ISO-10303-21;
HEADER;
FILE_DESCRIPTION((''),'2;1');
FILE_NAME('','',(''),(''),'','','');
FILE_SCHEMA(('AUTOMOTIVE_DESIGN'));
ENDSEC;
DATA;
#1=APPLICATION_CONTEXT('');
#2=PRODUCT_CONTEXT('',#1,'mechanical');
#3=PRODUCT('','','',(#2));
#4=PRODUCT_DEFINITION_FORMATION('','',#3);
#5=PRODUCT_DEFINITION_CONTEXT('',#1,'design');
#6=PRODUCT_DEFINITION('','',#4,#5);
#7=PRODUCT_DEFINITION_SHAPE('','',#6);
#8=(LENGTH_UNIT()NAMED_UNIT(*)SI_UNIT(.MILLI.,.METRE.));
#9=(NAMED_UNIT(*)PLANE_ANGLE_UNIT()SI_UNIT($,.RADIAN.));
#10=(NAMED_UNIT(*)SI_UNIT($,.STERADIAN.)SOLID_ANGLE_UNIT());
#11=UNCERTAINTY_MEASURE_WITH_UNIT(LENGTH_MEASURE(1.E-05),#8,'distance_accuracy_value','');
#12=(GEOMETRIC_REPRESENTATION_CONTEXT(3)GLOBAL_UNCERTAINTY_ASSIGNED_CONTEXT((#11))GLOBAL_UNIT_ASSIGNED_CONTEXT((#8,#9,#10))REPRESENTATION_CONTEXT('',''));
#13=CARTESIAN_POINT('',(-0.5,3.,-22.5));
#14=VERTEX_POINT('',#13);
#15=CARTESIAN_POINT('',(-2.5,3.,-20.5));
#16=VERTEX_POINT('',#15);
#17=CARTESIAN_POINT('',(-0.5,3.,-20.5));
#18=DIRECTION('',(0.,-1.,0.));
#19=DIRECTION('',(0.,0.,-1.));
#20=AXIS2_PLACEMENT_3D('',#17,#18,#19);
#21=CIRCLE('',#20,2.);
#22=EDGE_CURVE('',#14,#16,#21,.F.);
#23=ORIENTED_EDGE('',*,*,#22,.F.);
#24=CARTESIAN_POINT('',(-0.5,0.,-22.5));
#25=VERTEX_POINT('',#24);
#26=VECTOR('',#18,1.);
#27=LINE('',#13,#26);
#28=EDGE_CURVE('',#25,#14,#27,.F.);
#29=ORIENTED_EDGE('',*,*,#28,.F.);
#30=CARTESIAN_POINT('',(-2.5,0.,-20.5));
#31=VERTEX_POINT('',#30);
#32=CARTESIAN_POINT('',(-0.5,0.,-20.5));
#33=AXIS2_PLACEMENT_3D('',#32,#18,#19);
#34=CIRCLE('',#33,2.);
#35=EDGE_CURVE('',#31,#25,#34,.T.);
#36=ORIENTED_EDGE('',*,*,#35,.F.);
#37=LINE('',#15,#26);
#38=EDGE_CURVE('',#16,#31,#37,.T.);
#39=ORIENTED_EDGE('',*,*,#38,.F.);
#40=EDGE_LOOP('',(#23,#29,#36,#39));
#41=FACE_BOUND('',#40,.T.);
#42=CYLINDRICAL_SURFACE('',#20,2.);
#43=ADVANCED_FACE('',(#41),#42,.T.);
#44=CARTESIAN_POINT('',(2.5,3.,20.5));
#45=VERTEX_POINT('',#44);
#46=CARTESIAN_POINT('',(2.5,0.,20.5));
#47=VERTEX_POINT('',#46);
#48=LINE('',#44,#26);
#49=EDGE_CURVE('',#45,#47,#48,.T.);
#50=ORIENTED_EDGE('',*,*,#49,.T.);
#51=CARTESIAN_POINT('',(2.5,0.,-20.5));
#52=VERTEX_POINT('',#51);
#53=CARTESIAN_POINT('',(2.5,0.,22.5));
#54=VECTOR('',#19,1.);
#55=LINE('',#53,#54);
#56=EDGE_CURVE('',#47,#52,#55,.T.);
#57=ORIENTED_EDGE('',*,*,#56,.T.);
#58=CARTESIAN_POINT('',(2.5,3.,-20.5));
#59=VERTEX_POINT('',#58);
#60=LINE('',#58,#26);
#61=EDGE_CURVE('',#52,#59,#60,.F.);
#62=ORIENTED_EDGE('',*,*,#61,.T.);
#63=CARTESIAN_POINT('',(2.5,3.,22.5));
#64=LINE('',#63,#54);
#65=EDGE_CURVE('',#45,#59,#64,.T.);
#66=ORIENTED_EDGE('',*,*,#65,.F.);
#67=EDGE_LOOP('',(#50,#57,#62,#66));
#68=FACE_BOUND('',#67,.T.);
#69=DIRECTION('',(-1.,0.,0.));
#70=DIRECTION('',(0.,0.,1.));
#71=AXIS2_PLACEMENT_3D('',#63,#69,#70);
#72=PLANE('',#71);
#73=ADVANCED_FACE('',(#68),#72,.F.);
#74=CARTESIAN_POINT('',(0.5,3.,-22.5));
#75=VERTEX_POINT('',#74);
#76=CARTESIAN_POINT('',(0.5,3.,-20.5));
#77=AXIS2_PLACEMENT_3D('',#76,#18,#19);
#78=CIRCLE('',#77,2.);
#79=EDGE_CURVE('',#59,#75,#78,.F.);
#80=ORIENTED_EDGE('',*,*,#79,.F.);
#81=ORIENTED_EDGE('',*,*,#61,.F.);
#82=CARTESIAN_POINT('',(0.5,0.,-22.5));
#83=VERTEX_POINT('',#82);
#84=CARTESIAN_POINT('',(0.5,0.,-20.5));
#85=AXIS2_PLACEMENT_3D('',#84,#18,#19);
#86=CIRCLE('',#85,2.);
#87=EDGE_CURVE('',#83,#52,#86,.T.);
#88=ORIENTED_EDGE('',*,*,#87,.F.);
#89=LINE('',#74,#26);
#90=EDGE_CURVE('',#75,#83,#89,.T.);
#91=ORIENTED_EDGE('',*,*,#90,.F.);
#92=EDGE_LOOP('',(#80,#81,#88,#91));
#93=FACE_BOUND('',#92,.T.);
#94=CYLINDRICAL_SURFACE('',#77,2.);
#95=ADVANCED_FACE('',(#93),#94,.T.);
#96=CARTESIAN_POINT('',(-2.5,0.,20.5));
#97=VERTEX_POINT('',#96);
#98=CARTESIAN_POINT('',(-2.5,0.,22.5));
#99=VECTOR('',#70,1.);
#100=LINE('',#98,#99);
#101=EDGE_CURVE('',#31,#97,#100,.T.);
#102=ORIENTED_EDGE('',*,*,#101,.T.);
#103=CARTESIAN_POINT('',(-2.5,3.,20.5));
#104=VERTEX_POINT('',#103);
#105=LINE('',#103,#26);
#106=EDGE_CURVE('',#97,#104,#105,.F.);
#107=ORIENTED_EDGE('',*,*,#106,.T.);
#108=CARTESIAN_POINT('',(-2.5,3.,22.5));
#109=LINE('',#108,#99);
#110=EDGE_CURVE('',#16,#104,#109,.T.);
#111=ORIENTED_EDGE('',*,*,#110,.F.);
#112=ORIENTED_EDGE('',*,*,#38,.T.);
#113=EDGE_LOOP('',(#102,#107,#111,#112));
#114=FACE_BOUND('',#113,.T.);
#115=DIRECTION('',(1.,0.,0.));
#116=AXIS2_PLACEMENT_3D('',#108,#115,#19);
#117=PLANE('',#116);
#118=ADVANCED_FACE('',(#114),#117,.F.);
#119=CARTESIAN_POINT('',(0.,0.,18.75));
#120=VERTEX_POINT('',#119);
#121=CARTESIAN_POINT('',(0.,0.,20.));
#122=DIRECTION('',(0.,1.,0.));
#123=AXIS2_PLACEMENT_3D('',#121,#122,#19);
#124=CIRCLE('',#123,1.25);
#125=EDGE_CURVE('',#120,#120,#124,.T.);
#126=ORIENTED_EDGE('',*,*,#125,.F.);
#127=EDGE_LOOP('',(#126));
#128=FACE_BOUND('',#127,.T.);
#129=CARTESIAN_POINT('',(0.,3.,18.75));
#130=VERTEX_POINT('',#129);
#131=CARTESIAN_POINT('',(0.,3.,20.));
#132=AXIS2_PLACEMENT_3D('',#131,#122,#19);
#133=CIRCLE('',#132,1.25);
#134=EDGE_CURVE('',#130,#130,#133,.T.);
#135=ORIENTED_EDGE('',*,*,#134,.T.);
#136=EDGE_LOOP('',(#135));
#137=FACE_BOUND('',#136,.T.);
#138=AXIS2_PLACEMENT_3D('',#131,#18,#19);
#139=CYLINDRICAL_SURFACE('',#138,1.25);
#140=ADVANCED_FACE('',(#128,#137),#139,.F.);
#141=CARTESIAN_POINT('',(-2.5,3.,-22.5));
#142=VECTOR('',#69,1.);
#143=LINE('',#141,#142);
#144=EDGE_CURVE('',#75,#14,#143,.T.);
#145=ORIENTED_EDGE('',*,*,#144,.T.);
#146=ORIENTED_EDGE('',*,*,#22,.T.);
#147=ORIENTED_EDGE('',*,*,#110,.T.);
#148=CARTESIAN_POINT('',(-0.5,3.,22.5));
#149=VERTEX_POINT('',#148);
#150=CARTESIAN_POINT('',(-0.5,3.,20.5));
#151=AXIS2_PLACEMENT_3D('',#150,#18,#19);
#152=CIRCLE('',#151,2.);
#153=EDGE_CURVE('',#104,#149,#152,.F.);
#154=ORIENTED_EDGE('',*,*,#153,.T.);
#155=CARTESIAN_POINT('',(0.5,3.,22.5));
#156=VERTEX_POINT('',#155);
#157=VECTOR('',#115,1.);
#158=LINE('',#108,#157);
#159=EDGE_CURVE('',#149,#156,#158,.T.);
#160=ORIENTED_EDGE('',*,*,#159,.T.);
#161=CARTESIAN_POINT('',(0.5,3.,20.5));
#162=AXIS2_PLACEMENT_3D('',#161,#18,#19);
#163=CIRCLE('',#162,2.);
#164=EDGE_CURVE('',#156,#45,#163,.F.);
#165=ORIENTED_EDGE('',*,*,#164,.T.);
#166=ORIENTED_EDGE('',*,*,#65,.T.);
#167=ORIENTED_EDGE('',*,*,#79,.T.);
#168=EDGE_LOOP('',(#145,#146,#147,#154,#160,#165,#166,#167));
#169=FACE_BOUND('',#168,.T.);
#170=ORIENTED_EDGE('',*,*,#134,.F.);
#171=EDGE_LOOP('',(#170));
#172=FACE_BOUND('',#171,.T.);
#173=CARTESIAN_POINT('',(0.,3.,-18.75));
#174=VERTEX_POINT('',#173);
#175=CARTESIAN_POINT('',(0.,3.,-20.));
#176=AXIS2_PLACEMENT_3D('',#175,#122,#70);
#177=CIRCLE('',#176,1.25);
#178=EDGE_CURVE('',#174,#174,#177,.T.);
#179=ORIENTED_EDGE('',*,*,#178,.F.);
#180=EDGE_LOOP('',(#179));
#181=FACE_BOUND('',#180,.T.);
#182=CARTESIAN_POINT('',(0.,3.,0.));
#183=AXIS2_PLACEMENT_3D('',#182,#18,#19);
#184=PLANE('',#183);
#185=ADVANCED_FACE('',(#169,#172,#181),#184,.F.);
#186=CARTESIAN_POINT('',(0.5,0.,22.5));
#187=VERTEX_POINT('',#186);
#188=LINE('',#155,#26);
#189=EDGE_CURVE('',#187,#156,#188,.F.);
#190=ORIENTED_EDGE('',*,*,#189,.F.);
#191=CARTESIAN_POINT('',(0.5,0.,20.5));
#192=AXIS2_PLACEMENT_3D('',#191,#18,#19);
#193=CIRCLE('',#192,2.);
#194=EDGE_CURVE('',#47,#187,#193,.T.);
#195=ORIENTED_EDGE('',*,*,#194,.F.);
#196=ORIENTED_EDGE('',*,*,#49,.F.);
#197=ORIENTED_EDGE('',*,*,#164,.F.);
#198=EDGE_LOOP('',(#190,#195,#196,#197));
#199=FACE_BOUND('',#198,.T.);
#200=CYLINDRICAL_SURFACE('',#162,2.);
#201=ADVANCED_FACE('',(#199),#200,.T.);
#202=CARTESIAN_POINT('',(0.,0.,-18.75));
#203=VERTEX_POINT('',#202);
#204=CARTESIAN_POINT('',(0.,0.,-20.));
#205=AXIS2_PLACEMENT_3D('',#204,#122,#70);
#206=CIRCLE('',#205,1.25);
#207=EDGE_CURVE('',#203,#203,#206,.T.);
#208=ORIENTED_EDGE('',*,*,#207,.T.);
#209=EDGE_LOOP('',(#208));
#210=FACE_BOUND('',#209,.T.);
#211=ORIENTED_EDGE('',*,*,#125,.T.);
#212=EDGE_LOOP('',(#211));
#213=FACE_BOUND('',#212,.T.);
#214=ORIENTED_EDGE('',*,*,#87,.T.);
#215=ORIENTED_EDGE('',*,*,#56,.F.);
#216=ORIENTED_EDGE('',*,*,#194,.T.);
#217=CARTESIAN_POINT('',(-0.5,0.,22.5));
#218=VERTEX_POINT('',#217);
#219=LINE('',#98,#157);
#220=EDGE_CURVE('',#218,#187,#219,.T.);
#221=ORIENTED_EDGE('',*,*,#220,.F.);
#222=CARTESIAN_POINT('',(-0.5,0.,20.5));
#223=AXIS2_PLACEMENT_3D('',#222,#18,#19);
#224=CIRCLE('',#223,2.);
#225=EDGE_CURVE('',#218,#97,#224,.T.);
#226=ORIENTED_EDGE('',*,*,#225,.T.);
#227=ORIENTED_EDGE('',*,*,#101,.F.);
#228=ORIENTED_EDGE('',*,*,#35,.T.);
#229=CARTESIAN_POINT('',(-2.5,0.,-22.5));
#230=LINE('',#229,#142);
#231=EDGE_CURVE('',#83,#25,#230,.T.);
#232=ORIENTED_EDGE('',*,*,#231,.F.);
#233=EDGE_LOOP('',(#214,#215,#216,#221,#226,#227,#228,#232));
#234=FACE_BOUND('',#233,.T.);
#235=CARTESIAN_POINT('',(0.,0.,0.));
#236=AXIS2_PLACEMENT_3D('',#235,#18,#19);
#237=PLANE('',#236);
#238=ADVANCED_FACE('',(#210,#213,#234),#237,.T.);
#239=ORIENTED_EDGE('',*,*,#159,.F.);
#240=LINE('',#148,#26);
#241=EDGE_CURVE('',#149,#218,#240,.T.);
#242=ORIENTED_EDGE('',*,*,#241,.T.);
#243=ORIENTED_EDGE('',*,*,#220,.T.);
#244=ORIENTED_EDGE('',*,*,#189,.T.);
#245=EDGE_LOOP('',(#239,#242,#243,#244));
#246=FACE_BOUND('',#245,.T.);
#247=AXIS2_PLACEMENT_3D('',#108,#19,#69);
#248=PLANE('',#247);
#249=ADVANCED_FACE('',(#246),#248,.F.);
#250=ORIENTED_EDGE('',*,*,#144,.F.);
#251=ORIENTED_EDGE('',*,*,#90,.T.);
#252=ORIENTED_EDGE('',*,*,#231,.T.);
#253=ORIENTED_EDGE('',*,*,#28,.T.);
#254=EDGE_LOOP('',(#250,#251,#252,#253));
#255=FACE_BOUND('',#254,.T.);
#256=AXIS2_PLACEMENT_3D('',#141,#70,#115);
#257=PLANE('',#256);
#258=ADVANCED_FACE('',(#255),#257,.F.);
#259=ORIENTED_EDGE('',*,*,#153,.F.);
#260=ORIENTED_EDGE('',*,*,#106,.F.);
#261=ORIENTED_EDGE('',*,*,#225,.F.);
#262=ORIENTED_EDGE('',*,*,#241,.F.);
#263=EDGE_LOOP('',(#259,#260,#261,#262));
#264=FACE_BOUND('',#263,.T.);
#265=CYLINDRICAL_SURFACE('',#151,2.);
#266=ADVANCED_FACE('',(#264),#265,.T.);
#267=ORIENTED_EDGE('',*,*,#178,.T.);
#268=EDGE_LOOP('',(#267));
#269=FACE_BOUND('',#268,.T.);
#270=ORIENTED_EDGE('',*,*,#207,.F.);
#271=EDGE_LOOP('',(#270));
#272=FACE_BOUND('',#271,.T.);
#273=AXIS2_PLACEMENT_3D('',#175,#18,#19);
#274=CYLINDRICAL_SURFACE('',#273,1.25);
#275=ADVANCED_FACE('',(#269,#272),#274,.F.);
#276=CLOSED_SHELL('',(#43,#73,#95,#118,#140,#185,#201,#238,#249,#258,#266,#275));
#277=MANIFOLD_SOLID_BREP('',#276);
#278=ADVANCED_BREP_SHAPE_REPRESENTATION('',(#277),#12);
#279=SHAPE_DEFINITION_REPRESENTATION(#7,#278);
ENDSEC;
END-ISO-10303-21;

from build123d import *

# Parameters (mm, degrees)
SKETCH1_W           = 5
SKETCH1_H           = 45
SKETCH1_R           = 1.25
BOSS_EXTRUDE1_DEPTH = 3
FILLET1_R           = 2


with BuildPart() as part:
    # Sketch1 → Boss-Extrude1 (new body)
    with BuildSketch(Plane(origin=(0, 0, 0), x_dir=(1, 0, 0), z_dir=(0, 1, 0))):
        Rectangle(SKETCH1_W, SKETCH1_H)
        with Locations(Location((0, 20, 0), (0, 0, 270))):
            Circle(SKETCH1_R, mode=Mode.SUBTRACT)
        with Locations(Location((0, -20, 0), (0, 0, 90))):
            Circle(SKETCH1_R, mode=Mode.SUBTRACT)
    extrude(amount=BOSS_EXTRUDE1_DEPTH)

    # Fillet1
    fillet1_edges = [part.edges().sort_by_distance(p)[0] for p in [
        (2.5, 1.5, 22.5),
        (-2.5, 1.5, 22.5),
        (-2.5, 1.5, -22.5),
        (2.5, 1.5, -22.5),
    ]]
    fillet(fillet1_edges, radius=FILLET1_R)


solid = part.part
